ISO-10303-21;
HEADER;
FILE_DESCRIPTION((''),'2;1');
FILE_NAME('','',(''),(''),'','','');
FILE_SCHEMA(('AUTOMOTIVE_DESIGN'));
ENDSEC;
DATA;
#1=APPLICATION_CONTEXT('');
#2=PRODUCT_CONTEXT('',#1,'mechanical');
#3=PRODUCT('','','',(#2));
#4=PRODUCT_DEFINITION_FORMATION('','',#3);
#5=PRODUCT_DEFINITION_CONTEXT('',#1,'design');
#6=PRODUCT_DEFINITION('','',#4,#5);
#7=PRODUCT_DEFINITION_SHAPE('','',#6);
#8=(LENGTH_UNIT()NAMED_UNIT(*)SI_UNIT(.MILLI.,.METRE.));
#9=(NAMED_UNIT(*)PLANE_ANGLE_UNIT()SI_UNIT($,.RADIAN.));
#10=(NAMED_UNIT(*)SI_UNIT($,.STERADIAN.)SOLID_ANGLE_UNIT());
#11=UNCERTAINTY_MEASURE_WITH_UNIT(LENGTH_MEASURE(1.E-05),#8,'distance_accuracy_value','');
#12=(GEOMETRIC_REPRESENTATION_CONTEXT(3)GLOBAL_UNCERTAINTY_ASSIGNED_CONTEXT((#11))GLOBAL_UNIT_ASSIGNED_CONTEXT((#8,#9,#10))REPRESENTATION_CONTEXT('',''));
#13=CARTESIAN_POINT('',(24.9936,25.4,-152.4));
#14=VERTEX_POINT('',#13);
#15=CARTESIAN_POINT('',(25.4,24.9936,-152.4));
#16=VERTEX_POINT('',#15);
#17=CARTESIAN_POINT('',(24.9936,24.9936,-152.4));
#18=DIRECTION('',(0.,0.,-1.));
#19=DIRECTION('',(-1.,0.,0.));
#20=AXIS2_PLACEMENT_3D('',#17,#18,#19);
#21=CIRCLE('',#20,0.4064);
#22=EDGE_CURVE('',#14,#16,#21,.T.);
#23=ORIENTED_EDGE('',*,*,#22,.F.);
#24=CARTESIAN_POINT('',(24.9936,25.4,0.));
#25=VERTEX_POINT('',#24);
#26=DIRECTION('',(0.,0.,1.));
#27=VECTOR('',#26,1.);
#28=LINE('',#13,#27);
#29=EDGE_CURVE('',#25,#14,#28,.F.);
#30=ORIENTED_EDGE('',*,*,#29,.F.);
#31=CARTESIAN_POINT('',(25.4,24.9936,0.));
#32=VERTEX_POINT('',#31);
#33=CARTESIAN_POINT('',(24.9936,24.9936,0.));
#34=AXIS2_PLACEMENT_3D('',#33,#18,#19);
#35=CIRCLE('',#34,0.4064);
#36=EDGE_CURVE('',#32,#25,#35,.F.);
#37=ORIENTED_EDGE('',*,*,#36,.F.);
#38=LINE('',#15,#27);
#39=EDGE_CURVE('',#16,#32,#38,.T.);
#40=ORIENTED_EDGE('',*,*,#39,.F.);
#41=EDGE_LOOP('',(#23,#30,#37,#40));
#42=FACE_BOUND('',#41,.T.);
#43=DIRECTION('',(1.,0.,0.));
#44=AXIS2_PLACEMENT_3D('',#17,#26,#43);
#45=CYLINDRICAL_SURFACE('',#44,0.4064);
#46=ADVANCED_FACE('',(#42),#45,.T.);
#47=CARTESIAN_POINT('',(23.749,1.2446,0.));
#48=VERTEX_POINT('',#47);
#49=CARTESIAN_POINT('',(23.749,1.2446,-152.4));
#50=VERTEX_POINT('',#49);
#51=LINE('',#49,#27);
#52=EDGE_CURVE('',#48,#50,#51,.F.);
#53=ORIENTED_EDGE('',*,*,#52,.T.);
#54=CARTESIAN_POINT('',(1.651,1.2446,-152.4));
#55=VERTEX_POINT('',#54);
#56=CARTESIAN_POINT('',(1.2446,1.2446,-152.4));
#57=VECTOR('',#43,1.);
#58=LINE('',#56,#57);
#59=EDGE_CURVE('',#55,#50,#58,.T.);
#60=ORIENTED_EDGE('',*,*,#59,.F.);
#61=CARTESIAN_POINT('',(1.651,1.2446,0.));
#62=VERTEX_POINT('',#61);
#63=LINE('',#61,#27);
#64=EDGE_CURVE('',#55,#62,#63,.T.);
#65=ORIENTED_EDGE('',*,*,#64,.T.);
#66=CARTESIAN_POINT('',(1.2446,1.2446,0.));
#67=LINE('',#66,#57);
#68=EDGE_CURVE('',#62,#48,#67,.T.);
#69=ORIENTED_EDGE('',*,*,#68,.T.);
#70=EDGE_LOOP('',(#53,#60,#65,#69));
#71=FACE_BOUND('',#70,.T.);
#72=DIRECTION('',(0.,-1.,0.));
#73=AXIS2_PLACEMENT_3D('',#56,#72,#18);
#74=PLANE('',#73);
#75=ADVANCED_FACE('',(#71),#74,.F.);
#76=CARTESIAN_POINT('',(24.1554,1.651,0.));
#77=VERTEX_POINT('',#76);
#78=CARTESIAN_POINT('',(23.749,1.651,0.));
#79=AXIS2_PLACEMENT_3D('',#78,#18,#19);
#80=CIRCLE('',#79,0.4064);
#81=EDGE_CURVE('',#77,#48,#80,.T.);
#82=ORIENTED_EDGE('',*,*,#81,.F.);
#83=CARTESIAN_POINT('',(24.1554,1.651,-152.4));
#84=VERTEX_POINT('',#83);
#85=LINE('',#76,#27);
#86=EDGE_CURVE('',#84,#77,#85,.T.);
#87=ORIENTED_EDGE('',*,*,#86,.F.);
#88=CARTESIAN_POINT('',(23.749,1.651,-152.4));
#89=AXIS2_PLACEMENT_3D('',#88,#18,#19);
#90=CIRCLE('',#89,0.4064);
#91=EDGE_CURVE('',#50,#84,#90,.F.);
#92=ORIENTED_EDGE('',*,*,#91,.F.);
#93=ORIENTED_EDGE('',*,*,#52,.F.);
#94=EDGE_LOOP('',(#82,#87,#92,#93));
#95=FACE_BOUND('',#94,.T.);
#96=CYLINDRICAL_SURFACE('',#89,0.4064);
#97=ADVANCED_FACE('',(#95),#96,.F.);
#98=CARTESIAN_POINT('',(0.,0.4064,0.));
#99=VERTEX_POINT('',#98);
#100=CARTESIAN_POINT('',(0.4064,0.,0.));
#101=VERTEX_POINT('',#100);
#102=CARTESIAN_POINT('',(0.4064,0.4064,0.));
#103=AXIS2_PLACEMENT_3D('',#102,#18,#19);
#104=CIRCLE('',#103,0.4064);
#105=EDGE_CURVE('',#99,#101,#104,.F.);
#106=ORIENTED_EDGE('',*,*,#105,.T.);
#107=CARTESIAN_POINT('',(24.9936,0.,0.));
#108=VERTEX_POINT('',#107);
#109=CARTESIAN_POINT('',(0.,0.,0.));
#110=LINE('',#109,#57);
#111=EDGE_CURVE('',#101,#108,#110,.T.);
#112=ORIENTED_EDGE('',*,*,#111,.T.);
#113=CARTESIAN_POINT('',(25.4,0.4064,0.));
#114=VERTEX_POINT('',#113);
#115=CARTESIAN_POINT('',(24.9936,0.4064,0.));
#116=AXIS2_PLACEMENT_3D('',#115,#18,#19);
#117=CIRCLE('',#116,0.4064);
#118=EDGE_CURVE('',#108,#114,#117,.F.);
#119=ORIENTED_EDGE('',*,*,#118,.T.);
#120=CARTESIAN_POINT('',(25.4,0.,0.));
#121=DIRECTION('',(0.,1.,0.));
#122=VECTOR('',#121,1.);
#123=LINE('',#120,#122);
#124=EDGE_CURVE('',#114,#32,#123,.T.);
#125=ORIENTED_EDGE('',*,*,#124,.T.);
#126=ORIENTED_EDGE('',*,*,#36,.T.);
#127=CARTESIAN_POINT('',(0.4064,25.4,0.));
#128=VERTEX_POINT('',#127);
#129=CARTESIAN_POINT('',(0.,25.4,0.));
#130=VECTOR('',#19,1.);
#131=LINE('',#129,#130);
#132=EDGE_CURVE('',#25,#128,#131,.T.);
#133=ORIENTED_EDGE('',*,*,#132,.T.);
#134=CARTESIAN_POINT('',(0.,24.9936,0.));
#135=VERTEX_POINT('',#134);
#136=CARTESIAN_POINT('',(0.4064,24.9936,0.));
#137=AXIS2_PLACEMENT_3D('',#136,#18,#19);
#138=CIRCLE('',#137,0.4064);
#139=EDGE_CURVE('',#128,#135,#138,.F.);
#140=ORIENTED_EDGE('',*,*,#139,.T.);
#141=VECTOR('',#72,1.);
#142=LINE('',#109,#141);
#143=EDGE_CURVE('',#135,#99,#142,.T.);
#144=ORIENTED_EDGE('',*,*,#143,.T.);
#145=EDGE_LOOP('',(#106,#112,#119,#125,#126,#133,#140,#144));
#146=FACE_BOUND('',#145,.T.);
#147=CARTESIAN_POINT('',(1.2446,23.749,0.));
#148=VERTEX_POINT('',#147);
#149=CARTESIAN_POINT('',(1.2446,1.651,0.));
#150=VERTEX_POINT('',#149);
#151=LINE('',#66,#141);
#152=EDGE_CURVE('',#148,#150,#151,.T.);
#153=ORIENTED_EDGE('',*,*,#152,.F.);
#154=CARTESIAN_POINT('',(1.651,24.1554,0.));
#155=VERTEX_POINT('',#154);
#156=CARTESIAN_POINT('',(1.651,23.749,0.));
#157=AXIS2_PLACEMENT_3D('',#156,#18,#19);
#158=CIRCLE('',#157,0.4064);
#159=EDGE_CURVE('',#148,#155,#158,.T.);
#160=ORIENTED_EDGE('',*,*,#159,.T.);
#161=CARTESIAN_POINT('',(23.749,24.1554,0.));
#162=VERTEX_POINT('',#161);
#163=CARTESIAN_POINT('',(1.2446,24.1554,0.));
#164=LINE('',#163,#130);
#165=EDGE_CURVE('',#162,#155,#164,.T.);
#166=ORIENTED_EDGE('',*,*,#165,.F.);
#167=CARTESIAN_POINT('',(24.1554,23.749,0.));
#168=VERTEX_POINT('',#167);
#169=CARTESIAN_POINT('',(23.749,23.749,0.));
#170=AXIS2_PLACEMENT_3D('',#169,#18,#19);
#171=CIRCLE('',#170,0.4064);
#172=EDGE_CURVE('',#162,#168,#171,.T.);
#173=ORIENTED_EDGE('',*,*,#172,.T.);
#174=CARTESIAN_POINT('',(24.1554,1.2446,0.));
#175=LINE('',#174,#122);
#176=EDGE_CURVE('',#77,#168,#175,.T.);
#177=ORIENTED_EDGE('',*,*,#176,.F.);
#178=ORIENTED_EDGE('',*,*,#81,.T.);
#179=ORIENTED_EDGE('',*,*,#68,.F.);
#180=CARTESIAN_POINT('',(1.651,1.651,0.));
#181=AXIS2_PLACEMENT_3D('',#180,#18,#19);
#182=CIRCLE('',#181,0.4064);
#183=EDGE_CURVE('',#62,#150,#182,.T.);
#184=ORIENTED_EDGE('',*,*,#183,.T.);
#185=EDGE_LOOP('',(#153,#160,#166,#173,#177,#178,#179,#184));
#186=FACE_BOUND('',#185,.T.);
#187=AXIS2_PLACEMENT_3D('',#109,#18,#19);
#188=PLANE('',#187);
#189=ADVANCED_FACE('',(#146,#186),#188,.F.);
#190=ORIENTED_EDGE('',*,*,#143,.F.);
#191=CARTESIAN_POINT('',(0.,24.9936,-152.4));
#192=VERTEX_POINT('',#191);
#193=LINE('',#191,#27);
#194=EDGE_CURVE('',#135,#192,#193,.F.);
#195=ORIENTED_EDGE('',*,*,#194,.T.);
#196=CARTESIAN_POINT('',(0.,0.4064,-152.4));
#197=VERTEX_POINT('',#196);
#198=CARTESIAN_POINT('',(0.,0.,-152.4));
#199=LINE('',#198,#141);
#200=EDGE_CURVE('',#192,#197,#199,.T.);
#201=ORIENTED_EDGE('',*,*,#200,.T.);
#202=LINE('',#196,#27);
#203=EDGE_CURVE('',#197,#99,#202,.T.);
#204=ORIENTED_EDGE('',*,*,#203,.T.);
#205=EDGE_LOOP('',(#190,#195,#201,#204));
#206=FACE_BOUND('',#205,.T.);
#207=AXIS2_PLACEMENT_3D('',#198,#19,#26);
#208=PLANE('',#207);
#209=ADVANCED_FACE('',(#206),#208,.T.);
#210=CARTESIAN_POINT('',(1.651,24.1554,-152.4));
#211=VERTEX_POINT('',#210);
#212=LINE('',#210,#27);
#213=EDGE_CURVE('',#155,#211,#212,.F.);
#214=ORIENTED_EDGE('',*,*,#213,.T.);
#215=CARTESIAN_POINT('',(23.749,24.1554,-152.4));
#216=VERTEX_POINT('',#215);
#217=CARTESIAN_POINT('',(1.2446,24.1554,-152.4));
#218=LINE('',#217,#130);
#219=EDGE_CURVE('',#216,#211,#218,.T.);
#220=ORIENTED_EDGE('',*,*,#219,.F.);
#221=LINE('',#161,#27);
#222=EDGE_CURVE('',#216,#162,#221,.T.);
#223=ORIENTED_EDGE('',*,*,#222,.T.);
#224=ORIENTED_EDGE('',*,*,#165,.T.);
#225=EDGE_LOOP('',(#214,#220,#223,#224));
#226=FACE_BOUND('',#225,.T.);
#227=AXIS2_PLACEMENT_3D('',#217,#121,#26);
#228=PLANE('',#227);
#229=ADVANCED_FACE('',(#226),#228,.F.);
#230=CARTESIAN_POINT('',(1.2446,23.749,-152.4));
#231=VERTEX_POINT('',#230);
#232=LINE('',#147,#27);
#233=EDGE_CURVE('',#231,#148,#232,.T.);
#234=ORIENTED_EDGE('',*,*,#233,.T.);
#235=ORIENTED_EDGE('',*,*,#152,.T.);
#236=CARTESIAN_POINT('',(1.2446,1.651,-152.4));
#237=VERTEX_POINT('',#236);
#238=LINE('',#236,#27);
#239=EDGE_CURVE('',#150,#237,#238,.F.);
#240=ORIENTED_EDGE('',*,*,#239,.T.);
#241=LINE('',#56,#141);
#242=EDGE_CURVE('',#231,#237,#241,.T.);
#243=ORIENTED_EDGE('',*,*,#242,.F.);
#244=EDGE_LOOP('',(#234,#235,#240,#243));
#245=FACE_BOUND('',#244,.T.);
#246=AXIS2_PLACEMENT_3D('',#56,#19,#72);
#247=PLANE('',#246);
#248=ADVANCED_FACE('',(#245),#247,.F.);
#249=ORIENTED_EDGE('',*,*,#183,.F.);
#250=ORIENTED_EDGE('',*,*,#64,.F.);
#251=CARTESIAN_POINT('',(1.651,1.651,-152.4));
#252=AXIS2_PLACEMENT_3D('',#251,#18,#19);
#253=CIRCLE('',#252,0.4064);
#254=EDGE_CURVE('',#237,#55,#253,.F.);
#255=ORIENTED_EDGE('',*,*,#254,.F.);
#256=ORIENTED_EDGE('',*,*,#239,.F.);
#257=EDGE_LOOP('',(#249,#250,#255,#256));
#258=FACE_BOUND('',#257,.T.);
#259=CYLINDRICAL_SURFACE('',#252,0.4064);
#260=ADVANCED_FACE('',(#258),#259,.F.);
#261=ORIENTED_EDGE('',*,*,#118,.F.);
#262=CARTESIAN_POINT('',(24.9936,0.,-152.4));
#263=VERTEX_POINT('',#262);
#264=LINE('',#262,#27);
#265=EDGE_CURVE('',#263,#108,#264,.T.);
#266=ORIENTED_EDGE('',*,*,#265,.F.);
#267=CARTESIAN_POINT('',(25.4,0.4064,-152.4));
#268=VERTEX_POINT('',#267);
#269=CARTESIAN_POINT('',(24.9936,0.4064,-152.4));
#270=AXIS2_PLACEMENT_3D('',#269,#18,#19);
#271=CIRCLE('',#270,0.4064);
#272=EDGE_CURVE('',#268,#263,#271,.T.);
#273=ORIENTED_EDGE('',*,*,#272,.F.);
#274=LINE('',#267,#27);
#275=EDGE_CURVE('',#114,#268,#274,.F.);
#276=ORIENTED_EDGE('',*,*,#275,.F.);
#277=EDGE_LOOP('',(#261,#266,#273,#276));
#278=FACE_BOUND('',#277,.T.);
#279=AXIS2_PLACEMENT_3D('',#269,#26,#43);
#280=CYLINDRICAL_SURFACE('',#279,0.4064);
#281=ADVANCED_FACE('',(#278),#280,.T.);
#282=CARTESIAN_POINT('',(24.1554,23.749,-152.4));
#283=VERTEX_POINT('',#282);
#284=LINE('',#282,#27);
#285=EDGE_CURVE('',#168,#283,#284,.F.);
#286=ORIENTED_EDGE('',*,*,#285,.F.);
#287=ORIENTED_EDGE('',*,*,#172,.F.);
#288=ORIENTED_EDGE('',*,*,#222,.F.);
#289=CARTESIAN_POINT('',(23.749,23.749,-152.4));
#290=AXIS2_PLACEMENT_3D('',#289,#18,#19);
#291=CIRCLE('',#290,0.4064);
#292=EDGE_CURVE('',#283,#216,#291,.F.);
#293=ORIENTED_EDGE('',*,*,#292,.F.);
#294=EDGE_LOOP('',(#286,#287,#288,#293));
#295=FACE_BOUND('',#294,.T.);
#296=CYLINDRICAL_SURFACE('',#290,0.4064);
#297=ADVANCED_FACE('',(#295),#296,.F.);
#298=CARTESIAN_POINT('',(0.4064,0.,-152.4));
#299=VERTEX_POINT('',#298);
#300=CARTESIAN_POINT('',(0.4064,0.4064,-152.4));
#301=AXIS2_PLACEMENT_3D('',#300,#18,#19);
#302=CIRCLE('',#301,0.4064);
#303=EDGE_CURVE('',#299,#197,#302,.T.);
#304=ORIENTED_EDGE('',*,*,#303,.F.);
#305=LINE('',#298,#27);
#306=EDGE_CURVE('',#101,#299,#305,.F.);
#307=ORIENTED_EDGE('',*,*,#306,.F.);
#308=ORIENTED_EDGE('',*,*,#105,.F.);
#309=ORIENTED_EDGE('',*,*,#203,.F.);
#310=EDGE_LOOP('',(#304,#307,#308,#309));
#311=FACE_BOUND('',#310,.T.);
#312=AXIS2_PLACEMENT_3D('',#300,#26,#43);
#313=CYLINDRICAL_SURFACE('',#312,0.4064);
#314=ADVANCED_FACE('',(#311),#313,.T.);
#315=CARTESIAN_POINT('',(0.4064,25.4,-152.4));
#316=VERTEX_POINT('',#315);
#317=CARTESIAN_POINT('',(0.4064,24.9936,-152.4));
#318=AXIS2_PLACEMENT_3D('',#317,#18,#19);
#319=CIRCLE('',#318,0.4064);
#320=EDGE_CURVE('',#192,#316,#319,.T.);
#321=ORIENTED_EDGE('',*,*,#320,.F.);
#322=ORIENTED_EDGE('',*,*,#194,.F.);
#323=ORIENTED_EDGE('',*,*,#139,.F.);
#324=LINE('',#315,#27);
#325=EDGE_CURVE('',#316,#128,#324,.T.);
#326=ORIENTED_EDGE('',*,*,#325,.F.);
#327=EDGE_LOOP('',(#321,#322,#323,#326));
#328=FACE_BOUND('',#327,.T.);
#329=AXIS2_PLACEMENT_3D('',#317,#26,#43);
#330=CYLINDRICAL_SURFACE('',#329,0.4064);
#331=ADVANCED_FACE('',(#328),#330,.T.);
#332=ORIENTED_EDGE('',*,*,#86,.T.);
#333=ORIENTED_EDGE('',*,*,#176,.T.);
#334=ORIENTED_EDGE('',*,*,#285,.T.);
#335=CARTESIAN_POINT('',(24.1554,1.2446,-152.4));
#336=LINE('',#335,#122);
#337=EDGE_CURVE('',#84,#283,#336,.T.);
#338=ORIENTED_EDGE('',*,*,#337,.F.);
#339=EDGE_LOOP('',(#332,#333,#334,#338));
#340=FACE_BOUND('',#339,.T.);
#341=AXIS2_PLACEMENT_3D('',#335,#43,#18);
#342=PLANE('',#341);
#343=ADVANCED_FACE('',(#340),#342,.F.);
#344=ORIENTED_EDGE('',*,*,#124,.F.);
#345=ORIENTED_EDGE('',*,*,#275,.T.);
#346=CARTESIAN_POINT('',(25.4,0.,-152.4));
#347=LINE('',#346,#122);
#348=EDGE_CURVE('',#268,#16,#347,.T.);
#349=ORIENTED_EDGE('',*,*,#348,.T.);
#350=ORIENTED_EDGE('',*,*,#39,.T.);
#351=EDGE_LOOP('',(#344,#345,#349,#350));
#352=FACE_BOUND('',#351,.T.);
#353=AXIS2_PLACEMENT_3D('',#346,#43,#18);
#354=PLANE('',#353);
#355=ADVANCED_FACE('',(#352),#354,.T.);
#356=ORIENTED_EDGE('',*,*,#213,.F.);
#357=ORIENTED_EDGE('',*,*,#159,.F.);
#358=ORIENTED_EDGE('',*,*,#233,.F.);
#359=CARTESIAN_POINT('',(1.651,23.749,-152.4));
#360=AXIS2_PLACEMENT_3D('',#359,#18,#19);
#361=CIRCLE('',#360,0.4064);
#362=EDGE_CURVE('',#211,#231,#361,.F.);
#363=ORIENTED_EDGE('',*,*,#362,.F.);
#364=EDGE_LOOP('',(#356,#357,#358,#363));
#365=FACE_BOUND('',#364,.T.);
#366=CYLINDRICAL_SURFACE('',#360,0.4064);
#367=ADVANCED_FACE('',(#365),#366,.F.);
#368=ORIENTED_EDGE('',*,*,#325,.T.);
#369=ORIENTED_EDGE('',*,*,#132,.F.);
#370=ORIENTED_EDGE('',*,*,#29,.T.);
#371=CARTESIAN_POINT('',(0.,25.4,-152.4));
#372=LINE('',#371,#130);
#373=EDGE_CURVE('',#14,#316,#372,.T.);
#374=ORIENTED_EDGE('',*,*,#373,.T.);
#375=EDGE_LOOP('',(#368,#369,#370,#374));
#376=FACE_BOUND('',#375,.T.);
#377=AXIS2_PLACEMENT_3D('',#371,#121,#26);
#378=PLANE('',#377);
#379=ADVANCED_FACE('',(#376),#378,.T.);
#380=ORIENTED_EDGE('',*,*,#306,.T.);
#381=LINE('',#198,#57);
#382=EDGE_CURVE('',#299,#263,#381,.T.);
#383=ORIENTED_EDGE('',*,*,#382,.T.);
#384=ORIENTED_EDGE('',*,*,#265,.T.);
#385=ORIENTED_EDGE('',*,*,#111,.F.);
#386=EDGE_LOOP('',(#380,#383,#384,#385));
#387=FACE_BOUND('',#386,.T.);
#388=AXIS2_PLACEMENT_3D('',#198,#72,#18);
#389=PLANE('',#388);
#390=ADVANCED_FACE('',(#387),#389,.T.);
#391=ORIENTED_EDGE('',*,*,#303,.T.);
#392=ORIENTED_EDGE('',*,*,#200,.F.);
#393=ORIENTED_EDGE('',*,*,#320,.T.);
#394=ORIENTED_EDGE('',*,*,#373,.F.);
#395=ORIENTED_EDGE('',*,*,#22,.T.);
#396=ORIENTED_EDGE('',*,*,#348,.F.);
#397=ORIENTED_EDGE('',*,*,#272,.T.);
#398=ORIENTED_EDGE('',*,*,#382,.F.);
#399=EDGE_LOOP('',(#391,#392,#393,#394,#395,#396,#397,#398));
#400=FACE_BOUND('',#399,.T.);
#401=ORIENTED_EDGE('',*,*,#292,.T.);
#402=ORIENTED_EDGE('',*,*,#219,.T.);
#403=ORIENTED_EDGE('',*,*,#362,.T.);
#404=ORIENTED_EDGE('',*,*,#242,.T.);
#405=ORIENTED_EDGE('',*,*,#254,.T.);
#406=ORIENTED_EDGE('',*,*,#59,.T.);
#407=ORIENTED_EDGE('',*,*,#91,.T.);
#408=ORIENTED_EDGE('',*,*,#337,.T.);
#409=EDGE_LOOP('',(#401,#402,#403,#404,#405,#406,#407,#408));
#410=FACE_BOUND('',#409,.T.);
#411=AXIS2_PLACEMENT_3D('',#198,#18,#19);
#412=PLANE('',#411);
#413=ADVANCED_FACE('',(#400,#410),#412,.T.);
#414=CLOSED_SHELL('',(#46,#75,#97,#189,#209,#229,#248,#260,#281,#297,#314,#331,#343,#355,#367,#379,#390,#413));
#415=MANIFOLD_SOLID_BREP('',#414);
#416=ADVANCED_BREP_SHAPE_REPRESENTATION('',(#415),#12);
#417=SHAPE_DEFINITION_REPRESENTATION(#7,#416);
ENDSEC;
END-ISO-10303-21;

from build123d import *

# Parameters (mm, degrees)
SKETCH1_W           = 25.4
SKETCH1_H           = 25.4
SKETCH1_W_2         = 22.9108
SKETCH1_H_2         = 22.9108
BOSS_EXTRUDE1_DEPTH = 152.4
FILLET1_R           = 0.4064
FILLET2_R           = 0.4064


with BuildPart() as part:
    # Sketch1 → Boss-Extrude1 (new body)
    with BuildSketch(Plane.XY):
        with Locations((12.7, 12.7)):
            Rectangle(SKETCH1_W, SKETCH1_H)
        with Locations((12.7, 12.7)):
            Rectangle(SKETCH1_W_2, SKETCH1_H_2, mode=Mode.SUBTRACT)
    extrude(amount=-BOSS_EXTRUDE1_DEPTH)

    # Fillet1
    fillet1_edges = [part.edges().sort_by_distance(p)[0] for p in [
        (0, 25.4, -76.2),
        (25.4, 25.4, -76.2),
        (25.4, 0, -76.2),
        (0, 0, -76.2),
    ]]
    fillet(fillet1_edges, radius=FILLET1_R)

    # Fillet2
    fillet2_edges = [part.edges().sort_by_distance(p)[0] for p in [
        (1.2446, 1.2446, -76.2),
        (1.2446, 24.1554, -76.2),
        (24.1554, 24.1554, -76.2),
        (24.1554, 1.2446, -76.2),
    ]]
    fillet(fillet2_edges, radius=FILLET2_R)


solid = part.part
